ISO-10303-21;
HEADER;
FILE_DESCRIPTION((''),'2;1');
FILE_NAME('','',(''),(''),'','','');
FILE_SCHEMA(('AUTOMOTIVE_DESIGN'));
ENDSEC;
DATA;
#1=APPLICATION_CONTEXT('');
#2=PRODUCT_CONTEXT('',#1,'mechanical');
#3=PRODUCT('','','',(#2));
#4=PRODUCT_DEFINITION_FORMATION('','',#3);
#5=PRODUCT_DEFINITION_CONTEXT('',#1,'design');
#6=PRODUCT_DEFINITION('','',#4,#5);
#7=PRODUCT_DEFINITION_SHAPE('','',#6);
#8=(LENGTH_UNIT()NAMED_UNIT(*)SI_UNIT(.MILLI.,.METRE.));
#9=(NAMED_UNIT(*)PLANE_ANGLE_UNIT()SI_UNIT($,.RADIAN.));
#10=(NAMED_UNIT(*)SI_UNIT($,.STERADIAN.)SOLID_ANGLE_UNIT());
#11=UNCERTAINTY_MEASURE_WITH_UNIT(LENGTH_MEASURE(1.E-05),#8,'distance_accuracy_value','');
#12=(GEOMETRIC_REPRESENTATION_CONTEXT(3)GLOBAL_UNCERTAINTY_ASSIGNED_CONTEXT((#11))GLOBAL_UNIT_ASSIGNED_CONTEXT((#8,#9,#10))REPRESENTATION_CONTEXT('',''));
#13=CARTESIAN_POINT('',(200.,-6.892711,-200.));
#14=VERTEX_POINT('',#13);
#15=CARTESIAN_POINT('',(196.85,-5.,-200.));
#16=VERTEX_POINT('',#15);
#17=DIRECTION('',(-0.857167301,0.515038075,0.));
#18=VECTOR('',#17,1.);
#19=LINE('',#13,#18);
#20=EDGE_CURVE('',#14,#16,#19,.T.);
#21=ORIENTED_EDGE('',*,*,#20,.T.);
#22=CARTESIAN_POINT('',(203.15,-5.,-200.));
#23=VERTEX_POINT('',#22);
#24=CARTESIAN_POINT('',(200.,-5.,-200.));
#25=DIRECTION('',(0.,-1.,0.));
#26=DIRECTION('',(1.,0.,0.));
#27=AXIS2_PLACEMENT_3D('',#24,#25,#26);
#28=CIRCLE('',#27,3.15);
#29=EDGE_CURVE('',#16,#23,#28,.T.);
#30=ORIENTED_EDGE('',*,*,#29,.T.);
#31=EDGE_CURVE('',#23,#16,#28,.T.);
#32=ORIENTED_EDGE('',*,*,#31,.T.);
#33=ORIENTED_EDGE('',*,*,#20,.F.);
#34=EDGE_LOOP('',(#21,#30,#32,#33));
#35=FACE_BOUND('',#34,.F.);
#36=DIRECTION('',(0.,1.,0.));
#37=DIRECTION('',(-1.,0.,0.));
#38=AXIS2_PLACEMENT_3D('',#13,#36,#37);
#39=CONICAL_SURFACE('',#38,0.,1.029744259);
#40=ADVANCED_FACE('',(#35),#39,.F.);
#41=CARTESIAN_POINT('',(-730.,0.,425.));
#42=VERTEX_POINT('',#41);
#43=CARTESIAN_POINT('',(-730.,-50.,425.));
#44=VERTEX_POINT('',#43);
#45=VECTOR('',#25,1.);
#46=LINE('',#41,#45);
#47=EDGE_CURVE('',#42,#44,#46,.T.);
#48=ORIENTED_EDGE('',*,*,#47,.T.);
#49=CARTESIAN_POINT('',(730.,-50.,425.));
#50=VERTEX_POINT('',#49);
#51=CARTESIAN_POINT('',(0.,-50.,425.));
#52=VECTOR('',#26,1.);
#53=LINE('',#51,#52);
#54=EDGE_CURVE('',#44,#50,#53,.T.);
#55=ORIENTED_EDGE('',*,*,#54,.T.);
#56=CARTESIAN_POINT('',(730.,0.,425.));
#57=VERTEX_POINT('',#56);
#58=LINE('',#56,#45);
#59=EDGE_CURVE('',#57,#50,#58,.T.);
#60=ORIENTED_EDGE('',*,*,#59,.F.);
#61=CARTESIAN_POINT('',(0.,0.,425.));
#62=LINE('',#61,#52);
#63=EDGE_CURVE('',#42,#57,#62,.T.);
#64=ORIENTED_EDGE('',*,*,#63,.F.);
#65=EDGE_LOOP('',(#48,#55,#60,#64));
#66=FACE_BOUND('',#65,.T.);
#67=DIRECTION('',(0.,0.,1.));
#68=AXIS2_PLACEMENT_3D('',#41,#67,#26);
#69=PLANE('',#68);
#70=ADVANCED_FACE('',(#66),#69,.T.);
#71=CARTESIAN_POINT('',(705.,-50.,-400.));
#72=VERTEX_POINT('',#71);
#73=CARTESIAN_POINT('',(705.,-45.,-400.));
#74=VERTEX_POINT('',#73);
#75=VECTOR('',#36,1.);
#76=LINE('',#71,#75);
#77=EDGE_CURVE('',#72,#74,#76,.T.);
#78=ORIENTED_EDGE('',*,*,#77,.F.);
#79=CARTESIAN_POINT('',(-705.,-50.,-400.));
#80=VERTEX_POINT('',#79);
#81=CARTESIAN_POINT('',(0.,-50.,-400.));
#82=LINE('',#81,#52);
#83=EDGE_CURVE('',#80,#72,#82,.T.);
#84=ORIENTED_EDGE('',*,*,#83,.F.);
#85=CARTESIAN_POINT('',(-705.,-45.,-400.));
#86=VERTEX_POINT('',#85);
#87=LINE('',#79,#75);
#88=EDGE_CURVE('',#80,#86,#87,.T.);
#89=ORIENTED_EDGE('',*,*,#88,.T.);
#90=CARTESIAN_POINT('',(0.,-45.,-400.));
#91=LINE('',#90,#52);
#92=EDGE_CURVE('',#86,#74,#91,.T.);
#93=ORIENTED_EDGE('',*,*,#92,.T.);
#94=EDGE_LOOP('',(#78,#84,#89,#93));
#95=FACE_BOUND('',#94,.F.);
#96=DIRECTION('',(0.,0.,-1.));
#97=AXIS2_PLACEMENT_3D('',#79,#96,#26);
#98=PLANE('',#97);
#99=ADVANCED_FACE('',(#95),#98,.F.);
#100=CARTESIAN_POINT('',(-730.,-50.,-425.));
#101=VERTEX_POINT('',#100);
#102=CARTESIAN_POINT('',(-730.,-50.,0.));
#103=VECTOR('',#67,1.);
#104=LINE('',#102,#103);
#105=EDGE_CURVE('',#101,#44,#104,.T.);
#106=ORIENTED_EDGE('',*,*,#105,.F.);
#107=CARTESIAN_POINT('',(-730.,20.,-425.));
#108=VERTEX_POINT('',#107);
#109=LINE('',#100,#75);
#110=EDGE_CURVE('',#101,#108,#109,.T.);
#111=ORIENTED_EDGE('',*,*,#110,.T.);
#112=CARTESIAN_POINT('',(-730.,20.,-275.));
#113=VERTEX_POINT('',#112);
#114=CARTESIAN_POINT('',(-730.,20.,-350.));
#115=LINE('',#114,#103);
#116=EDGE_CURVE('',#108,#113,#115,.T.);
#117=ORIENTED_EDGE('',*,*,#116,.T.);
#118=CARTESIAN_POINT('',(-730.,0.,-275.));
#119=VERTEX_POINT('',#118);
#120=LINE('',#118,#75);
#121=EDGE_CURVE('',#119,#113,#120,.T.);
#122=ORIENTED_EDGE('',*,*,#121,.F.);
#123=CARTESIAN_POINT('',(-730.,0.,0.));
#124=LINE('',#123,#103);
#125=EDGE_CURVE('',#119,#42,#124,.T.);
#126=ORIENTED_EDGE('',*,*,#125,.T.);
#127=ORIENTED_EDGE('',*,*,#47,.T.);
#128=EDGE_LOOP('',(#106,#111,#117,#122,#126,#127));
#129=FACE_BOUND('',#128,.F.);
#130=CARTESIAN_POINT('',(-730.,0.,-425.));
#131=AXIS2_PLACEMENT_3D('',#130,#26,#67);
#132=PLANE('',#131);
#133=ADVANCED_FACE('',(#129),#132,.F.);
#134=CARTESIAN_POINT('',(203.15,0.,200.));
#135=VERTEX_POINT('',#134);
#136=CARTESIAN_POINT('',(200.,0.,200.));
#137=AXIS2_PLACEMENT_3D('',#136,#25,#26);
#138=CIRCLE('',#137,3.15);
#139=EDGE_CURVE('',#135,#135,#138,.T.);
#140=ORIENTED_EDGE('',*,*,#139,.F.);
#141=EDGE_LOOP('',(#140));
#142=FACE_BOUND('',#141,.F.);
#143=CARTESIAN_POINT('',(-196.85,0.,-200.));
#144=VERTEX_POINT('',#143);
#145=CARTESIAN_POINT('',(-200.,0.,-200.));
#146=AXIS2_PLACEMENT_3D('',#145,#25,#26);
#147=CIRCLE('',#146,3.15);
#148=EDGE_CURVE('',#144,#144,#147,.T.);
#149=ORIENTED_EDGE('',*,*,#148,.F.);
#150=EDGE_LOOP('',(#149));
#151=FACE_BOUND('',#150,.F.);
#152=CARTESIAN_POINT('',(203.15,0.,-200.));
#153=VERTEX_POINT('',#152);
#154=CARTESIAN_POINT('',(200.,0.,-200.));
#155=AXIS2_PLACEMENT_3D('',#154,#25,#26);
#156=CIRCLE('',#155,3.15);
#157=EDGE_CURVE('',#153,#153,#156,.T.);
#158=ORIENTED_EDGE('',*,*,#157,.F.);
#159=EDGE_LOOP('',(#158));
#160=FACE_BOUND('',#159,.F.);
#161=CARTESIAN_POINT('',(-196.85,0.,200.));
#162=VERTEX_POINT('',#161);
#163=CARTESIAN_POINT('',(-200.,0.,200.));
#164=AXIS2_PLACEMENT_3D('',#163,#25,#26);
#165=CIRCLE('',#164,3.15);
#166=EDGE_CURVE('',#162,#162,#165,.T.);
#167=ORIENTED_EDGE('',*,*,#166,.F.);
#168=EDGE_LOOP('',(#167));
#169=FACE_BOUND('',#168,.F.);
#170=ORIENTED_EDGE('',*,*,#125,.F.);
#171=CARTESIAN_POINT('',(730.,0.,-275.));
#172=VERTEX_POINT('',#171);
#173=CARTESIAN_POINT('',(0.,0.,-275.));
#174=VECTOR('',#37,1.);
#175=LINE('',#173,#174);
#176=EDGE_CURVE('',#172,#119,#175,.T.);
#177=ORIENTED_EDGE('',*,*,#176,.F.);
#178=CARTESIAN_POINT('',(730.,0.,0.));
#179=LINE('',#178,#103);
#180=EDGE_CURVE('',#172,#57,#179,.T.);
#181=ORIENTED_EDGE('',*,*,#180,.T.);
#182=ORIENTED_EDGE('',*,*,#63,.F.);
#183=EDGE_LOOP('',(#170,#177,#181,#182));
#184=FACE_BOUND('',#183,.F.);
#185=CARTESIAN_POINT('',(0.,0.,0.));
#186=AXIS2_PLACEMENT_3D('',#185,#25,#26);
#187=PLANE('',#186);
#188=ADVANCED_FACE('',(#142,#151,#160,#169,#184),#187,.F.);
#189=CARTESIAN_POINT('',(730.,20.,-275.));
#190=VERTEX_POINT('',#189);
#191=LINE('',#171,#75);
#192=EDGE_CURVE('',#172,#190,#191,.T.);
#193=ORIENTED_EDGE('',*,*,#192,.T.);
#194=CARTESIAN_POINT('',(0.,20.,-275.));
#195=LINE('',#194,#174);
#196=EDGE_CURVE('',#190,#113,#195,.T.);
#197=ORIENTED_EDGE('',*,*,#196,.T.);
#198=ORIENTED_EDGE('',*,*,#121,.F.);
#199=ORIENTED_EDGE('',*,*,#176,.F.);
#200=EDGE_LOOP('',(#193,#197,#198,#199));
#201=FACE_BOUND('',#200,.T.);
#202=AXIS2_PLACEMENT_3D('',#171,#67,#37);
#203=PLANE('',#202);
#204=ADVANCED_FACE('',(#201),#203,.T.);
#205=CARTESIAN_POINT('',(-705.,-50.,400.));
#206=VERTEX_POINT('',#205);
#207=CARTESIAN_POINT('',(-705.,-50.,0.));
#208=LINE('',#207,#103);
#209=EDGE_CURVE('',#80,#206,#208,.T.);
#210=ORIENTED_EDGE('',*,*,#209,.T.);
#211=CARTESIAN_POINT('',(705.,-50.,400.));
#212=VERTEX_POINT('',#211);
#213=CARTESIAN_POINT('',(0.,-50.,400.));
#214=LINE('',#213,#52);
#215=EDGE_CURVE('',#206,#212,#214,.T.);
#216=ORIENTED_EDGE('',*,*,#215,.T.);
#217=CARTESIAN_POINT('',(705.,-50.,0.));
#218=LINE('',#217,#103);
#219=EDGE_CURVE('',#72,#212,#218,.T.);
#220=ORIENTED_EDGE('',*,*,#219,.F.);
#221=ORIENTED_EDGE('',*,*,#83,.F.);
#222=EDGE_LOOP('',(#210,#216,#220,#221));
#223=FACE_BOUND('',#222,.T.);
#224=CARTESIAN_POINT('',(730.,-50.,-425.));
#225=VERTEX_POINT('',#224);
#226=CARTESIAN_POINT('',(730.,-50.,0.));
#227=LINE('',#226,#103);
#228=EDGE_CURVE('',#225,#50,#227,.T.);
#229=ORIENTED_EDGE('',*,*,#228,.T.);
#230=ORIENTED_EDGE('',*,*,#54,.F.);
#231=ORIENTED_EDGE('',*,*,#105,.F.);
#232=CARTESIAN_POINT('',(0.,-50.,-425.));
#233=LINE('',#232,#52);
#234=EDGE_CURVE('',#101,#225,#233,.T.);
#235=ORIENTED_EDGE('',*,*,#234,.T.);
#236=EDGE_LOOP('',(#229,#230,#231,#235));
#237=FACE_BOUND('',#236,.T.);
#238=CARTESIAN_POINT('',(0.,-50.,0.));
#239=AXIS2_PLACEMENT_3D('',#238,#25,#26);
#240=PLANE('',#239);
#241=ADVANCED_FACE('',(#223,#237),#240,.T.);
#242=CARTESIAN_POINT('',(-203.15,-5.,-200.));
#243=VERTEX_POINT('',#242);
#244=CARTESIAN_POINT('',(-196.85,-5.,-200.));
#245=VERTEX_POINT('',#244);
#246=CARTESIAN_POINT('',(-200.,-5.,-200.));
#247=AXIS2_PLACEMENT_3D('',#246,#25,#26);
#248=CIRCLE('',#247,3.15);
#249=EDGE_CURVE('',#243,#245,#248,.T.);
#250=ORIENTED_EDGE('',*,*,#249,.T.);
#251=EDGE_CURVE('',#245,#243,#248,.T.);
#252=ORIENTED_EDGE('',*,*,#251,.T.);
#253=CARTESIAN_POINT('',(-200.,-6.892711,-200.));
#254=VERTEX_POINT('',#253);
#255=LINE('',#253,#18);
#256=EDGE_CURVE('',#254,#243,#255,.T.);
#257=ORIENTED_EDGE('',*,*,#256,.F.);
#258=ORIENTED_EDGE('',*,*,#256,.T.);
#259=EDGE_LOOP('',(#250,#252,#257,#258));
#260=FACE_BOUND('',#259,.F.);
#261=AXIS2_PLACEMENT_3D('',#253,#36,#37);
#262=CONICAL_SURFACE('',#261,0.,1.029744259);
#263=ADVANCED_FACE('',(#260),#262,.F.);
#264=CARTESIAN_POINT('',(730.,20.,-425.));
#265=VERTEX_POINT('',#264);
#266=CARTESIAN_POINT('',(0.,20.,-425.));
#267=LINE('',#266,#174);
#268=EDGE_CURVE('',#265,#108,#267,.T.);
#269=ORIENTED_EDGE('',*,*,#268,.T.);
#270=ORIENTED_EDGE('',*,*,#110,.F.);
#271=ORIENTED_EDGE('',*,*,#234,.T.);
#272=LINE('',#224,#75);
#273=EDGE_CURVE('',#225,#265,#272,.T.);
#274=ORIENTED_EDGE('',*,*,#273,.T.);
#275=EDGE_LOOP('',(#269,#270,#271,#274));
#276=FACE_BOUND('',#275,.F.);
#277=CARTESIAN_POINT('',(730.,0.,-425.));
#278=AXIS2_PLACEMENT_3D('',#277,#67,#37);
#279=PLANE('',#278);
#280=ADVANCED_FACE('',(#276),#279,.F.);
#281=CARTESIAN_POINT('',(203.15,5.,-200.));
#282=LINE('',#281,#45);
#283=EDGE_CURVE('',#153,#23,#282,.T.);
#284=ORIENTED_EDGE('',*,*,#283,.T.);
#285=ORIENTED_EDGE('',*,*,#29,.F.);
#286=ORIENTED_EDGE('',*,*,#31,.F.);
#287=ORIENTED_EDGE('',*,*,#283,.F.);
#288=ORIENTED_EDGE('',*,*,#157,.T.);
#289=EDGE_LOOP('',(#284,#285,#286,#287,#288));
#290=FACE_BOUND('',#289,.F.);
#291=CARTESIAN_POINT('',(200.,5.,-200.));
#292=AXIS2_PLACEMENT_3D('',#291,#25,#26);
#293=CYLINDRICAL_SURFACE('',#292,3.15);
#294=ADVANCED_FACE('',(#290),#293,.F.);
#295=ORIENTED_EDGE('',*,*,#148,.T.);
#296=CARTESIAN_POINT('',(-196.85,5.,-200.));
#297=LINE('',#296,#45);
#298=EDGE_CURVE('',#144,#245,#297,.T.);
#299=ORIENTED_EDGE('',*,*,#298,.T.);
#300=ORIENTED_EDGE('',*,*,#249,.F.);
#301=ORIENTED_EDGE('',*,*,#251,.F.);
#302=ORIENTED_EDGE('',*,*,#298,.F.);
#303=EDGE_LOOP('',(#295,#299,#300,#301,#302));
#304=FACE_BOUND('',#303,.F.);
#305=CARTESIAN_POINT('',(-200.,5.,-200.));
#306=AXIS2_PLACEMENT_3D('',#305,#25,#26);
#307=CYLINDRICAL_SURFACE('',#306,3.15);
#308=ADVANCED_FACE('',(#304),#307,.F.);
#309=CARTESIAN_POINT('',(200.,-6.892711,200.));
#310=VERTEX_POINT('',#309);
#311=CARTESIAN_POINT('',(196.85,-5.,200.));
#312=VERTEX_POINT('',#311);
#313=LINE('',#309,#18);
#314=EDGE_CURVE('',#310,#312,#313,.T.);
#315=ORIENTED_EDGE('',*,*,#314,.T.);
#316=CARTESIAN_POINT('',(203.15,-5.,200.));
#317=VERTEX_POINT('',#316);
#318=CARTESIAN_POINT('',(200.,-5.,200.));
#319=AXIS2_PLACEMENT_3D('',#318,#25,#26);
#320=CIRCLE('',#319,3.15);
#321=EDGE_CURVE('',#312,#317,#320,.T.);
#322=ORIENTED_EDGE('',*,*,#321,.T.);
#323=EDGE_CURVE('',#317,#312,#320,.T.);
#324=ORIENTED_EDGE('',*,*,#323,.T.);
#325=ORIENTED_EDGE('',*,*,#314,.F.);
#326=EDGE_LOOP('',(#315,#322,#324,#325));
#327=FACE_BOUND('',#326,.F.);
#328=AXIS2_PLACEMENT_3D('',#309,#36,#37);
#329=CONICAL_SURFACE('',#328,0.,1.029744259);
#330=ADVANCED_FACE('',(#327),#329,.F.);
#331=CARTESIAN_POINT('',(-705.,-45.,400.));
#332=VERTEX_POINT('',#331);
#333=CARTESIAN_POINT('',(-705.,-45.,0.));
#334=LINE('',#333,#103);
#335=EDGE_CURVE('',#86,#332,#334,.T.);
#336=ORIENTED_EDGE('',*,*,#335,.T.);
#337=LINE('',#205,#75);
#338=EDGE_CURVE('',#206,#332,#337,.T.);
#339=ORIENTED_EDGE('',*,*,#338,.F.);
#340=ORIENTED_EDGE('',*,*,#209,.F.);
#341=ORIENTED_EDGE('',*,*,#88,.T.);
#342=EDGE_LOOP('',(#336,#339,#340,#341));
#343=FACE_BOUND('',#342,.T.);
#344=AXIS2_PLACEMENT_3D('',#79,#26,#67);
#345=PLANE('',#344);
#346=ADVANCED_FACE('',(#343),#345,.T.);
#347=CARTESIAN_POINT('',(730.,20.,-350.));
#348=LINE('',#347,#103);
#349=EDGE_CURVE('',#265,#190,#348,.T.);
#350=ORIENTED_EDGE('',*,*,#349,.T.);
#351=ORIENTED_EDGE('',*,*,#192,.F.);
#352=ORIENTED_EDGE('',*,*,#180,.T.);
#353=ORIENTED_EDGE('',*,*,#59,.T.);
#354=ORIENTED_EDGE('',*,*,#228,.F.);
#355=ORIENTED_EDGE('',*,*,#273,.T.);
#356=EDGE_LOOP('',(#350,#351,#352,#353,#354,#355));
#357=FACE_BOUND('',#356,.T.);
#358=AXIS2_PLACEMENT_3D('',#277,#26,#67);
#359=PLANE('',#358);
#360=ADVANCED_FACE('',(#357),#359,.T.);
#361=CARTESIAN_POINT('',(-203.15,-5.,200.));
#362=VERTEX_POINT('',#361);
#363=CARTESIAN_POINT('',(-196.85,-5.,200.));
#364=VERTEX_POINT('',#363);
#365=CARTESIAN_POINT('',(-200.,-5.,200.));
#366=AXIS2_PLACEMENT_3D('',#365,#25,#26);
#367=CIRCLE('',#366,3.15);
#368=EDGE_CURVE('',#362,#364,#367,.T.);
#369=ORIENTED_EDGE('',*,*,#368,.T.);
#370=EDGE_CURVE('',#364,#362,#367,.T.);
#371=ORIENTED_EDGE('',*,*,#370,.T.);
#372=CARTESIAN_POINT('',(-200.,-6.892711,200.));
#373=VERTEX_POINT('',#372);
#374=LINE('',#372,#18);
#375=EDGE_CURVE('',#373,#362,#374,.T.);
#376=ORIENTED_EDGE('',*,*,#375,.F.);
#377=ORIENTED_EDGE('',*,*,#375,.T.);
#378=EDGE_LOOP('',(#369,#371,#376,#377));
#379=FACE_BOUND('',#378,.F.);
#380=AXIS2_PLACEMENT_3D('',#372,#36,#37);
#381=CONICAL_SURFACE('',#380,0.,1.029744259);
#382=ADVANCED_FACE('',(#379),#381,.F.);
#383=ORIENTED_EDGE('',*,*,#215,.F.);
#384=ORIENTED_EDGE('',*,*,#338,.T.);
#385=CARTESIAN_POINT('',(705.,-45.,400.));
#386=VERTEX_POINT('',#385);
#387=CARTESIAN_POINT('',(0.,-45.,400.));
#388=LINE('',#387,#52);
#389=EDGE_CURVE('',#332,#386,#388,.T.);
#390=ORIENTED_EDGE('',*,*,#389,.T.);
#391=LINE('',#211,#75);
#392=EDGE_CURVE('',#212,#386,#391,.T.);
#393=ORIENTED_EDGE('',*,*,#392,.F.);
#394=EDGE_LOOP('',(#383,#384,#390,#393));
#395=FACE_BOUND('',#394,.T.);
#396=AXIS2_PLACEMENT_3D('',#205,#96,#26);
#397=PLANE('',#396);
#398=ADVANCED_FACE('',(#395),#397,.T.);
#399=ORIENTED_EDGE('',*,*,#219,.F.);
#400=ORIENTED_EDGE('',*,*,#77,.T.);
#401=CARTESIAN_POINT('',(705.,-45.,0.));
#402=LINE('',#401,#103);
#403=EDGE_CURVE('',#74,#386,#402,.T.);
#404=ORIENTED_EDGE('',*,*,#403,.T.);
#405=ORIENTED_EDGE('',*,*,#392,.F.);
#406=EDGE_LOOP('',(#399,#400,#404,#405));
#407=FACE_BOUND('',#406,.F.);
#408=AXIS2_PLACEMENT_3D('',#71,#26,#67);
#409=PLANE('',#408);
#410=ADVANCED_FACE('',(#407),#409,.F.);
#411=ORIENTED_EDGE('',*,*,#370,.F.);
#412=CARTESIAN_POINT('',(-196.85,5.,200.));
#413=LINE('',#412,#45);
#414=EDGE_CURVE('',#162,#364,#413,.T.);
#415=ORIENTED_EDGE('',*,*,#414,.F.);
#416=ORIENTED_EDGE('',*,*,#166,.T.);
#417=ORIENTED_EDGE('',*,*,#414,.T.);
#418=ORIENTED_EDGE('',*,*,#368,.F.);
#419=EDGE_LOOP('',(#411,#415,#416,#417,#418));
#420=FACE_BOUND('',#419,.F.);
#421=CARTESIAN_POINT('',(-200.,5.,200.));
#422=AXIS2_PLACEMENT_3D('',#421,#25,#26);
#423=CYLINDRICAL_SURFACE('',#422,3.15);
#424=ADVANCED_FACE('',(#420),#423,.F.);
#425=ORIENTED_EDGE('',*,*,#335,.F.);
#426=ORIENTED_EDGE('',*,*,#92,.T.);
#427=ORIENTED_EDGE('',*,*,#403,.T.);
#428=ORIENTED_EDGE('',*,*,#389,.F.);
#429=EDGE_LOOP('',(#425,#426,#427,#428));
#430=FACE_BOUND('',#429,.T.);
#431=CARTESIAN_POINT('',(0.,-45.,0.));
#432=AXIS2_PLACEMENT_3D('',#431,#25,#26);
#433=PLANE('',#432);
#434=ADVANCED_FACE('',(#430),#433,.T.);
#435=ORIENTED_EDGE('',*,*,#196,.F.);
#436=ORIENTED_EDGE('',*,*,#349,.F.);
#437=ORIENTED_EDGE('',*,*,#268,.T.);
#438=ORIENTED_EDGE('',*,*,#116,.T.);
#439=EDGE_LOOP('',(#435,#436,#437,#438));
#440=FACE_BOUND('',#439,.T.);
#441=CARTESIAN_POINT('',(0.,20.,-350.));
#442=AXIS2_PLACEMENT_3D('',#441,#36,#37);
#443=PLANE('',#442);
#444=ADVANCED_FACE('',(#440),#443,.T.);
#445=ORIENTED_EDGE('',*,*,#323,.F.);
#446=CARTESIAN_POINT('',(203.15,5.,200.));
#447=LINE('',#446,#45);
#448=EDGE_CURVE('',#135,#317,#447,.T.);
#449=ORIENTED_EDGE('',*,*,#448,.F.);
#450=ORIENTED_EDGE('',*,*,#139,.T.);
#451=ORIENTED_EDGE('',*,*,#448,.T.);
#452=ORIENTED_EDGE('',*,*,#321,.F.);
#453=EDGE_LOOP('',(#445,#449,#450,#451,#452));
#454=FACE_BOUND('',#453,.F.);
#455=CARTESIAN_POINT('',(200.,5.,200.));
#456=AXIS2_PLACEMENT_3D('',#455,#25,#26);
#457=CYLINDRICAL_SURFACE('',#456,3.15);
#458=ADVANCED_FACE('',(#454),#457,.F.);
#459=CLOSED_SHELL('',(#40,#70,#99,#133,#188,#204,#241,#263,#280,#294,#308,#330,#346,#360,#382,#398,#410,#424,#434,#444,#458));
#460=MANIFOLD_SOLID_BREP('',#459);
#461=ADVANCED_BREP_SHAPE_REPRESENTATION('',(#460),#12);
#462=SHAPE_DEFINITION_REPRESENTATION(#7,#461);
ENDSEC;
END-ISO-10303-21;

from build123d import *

# Parameters (mm, degrees)
F0_W     = 1460
F0_H     = 850
F1_DEPTH = 50
F2_W     = 1410
F2_H     = 800
F3_DEPTH = 5
F5_D     = 6.3
F5_DEPTH = 5
F5_TIP   = 1.8927109499
F4_W     = 1460
F4_H     = 150
F6_DEPTH = 20


with BuildPart() as f1:
    # F0 (on Front) → F1 (new body)
    with BuildSketch(Plane.XZ):
        Rectangle(F0_W, F0_H)
    extrude(amount=F1_DEPTH)

    # F2 (on face) → F3 (cut)
    with BuildSketch(Plane.XZ.offset(50)):
        Rectangle(F2_W, F2_H)
    extrude(amount=-F3_DEPTH, mode=Mode.SUBTRACT)

    # F5
    with Locations(Plane(origin=(0, 0, 0), x_dir=(-1, 0, 0), z_dir=(0, 1, 0))):
        with Locations((-200, 200), (200, 200), (200, -200), (-200, -200)):
            Hole(F5_D / 2, depth=F5_DEPTH)
            with Locations((0, 0, -(F5_DEPTH + F5_TIP / 2))):  # 118° drill point
                Cone(0, F5_D / 2, F5_TIP, mode=Mode.SUBTRACT)

    # F4 (on face) → F6 (join)
    with BuildSketch(Plane(origin=(0, 0, 0), x_dir=(-1, 0, 0), z_dir=(0, 1, 0))):
        with Locations((0, -350)):
            Rectangle(F4_W, F4_H)
    extrude(amount=F6_DEPTH)


solid = f1.part
